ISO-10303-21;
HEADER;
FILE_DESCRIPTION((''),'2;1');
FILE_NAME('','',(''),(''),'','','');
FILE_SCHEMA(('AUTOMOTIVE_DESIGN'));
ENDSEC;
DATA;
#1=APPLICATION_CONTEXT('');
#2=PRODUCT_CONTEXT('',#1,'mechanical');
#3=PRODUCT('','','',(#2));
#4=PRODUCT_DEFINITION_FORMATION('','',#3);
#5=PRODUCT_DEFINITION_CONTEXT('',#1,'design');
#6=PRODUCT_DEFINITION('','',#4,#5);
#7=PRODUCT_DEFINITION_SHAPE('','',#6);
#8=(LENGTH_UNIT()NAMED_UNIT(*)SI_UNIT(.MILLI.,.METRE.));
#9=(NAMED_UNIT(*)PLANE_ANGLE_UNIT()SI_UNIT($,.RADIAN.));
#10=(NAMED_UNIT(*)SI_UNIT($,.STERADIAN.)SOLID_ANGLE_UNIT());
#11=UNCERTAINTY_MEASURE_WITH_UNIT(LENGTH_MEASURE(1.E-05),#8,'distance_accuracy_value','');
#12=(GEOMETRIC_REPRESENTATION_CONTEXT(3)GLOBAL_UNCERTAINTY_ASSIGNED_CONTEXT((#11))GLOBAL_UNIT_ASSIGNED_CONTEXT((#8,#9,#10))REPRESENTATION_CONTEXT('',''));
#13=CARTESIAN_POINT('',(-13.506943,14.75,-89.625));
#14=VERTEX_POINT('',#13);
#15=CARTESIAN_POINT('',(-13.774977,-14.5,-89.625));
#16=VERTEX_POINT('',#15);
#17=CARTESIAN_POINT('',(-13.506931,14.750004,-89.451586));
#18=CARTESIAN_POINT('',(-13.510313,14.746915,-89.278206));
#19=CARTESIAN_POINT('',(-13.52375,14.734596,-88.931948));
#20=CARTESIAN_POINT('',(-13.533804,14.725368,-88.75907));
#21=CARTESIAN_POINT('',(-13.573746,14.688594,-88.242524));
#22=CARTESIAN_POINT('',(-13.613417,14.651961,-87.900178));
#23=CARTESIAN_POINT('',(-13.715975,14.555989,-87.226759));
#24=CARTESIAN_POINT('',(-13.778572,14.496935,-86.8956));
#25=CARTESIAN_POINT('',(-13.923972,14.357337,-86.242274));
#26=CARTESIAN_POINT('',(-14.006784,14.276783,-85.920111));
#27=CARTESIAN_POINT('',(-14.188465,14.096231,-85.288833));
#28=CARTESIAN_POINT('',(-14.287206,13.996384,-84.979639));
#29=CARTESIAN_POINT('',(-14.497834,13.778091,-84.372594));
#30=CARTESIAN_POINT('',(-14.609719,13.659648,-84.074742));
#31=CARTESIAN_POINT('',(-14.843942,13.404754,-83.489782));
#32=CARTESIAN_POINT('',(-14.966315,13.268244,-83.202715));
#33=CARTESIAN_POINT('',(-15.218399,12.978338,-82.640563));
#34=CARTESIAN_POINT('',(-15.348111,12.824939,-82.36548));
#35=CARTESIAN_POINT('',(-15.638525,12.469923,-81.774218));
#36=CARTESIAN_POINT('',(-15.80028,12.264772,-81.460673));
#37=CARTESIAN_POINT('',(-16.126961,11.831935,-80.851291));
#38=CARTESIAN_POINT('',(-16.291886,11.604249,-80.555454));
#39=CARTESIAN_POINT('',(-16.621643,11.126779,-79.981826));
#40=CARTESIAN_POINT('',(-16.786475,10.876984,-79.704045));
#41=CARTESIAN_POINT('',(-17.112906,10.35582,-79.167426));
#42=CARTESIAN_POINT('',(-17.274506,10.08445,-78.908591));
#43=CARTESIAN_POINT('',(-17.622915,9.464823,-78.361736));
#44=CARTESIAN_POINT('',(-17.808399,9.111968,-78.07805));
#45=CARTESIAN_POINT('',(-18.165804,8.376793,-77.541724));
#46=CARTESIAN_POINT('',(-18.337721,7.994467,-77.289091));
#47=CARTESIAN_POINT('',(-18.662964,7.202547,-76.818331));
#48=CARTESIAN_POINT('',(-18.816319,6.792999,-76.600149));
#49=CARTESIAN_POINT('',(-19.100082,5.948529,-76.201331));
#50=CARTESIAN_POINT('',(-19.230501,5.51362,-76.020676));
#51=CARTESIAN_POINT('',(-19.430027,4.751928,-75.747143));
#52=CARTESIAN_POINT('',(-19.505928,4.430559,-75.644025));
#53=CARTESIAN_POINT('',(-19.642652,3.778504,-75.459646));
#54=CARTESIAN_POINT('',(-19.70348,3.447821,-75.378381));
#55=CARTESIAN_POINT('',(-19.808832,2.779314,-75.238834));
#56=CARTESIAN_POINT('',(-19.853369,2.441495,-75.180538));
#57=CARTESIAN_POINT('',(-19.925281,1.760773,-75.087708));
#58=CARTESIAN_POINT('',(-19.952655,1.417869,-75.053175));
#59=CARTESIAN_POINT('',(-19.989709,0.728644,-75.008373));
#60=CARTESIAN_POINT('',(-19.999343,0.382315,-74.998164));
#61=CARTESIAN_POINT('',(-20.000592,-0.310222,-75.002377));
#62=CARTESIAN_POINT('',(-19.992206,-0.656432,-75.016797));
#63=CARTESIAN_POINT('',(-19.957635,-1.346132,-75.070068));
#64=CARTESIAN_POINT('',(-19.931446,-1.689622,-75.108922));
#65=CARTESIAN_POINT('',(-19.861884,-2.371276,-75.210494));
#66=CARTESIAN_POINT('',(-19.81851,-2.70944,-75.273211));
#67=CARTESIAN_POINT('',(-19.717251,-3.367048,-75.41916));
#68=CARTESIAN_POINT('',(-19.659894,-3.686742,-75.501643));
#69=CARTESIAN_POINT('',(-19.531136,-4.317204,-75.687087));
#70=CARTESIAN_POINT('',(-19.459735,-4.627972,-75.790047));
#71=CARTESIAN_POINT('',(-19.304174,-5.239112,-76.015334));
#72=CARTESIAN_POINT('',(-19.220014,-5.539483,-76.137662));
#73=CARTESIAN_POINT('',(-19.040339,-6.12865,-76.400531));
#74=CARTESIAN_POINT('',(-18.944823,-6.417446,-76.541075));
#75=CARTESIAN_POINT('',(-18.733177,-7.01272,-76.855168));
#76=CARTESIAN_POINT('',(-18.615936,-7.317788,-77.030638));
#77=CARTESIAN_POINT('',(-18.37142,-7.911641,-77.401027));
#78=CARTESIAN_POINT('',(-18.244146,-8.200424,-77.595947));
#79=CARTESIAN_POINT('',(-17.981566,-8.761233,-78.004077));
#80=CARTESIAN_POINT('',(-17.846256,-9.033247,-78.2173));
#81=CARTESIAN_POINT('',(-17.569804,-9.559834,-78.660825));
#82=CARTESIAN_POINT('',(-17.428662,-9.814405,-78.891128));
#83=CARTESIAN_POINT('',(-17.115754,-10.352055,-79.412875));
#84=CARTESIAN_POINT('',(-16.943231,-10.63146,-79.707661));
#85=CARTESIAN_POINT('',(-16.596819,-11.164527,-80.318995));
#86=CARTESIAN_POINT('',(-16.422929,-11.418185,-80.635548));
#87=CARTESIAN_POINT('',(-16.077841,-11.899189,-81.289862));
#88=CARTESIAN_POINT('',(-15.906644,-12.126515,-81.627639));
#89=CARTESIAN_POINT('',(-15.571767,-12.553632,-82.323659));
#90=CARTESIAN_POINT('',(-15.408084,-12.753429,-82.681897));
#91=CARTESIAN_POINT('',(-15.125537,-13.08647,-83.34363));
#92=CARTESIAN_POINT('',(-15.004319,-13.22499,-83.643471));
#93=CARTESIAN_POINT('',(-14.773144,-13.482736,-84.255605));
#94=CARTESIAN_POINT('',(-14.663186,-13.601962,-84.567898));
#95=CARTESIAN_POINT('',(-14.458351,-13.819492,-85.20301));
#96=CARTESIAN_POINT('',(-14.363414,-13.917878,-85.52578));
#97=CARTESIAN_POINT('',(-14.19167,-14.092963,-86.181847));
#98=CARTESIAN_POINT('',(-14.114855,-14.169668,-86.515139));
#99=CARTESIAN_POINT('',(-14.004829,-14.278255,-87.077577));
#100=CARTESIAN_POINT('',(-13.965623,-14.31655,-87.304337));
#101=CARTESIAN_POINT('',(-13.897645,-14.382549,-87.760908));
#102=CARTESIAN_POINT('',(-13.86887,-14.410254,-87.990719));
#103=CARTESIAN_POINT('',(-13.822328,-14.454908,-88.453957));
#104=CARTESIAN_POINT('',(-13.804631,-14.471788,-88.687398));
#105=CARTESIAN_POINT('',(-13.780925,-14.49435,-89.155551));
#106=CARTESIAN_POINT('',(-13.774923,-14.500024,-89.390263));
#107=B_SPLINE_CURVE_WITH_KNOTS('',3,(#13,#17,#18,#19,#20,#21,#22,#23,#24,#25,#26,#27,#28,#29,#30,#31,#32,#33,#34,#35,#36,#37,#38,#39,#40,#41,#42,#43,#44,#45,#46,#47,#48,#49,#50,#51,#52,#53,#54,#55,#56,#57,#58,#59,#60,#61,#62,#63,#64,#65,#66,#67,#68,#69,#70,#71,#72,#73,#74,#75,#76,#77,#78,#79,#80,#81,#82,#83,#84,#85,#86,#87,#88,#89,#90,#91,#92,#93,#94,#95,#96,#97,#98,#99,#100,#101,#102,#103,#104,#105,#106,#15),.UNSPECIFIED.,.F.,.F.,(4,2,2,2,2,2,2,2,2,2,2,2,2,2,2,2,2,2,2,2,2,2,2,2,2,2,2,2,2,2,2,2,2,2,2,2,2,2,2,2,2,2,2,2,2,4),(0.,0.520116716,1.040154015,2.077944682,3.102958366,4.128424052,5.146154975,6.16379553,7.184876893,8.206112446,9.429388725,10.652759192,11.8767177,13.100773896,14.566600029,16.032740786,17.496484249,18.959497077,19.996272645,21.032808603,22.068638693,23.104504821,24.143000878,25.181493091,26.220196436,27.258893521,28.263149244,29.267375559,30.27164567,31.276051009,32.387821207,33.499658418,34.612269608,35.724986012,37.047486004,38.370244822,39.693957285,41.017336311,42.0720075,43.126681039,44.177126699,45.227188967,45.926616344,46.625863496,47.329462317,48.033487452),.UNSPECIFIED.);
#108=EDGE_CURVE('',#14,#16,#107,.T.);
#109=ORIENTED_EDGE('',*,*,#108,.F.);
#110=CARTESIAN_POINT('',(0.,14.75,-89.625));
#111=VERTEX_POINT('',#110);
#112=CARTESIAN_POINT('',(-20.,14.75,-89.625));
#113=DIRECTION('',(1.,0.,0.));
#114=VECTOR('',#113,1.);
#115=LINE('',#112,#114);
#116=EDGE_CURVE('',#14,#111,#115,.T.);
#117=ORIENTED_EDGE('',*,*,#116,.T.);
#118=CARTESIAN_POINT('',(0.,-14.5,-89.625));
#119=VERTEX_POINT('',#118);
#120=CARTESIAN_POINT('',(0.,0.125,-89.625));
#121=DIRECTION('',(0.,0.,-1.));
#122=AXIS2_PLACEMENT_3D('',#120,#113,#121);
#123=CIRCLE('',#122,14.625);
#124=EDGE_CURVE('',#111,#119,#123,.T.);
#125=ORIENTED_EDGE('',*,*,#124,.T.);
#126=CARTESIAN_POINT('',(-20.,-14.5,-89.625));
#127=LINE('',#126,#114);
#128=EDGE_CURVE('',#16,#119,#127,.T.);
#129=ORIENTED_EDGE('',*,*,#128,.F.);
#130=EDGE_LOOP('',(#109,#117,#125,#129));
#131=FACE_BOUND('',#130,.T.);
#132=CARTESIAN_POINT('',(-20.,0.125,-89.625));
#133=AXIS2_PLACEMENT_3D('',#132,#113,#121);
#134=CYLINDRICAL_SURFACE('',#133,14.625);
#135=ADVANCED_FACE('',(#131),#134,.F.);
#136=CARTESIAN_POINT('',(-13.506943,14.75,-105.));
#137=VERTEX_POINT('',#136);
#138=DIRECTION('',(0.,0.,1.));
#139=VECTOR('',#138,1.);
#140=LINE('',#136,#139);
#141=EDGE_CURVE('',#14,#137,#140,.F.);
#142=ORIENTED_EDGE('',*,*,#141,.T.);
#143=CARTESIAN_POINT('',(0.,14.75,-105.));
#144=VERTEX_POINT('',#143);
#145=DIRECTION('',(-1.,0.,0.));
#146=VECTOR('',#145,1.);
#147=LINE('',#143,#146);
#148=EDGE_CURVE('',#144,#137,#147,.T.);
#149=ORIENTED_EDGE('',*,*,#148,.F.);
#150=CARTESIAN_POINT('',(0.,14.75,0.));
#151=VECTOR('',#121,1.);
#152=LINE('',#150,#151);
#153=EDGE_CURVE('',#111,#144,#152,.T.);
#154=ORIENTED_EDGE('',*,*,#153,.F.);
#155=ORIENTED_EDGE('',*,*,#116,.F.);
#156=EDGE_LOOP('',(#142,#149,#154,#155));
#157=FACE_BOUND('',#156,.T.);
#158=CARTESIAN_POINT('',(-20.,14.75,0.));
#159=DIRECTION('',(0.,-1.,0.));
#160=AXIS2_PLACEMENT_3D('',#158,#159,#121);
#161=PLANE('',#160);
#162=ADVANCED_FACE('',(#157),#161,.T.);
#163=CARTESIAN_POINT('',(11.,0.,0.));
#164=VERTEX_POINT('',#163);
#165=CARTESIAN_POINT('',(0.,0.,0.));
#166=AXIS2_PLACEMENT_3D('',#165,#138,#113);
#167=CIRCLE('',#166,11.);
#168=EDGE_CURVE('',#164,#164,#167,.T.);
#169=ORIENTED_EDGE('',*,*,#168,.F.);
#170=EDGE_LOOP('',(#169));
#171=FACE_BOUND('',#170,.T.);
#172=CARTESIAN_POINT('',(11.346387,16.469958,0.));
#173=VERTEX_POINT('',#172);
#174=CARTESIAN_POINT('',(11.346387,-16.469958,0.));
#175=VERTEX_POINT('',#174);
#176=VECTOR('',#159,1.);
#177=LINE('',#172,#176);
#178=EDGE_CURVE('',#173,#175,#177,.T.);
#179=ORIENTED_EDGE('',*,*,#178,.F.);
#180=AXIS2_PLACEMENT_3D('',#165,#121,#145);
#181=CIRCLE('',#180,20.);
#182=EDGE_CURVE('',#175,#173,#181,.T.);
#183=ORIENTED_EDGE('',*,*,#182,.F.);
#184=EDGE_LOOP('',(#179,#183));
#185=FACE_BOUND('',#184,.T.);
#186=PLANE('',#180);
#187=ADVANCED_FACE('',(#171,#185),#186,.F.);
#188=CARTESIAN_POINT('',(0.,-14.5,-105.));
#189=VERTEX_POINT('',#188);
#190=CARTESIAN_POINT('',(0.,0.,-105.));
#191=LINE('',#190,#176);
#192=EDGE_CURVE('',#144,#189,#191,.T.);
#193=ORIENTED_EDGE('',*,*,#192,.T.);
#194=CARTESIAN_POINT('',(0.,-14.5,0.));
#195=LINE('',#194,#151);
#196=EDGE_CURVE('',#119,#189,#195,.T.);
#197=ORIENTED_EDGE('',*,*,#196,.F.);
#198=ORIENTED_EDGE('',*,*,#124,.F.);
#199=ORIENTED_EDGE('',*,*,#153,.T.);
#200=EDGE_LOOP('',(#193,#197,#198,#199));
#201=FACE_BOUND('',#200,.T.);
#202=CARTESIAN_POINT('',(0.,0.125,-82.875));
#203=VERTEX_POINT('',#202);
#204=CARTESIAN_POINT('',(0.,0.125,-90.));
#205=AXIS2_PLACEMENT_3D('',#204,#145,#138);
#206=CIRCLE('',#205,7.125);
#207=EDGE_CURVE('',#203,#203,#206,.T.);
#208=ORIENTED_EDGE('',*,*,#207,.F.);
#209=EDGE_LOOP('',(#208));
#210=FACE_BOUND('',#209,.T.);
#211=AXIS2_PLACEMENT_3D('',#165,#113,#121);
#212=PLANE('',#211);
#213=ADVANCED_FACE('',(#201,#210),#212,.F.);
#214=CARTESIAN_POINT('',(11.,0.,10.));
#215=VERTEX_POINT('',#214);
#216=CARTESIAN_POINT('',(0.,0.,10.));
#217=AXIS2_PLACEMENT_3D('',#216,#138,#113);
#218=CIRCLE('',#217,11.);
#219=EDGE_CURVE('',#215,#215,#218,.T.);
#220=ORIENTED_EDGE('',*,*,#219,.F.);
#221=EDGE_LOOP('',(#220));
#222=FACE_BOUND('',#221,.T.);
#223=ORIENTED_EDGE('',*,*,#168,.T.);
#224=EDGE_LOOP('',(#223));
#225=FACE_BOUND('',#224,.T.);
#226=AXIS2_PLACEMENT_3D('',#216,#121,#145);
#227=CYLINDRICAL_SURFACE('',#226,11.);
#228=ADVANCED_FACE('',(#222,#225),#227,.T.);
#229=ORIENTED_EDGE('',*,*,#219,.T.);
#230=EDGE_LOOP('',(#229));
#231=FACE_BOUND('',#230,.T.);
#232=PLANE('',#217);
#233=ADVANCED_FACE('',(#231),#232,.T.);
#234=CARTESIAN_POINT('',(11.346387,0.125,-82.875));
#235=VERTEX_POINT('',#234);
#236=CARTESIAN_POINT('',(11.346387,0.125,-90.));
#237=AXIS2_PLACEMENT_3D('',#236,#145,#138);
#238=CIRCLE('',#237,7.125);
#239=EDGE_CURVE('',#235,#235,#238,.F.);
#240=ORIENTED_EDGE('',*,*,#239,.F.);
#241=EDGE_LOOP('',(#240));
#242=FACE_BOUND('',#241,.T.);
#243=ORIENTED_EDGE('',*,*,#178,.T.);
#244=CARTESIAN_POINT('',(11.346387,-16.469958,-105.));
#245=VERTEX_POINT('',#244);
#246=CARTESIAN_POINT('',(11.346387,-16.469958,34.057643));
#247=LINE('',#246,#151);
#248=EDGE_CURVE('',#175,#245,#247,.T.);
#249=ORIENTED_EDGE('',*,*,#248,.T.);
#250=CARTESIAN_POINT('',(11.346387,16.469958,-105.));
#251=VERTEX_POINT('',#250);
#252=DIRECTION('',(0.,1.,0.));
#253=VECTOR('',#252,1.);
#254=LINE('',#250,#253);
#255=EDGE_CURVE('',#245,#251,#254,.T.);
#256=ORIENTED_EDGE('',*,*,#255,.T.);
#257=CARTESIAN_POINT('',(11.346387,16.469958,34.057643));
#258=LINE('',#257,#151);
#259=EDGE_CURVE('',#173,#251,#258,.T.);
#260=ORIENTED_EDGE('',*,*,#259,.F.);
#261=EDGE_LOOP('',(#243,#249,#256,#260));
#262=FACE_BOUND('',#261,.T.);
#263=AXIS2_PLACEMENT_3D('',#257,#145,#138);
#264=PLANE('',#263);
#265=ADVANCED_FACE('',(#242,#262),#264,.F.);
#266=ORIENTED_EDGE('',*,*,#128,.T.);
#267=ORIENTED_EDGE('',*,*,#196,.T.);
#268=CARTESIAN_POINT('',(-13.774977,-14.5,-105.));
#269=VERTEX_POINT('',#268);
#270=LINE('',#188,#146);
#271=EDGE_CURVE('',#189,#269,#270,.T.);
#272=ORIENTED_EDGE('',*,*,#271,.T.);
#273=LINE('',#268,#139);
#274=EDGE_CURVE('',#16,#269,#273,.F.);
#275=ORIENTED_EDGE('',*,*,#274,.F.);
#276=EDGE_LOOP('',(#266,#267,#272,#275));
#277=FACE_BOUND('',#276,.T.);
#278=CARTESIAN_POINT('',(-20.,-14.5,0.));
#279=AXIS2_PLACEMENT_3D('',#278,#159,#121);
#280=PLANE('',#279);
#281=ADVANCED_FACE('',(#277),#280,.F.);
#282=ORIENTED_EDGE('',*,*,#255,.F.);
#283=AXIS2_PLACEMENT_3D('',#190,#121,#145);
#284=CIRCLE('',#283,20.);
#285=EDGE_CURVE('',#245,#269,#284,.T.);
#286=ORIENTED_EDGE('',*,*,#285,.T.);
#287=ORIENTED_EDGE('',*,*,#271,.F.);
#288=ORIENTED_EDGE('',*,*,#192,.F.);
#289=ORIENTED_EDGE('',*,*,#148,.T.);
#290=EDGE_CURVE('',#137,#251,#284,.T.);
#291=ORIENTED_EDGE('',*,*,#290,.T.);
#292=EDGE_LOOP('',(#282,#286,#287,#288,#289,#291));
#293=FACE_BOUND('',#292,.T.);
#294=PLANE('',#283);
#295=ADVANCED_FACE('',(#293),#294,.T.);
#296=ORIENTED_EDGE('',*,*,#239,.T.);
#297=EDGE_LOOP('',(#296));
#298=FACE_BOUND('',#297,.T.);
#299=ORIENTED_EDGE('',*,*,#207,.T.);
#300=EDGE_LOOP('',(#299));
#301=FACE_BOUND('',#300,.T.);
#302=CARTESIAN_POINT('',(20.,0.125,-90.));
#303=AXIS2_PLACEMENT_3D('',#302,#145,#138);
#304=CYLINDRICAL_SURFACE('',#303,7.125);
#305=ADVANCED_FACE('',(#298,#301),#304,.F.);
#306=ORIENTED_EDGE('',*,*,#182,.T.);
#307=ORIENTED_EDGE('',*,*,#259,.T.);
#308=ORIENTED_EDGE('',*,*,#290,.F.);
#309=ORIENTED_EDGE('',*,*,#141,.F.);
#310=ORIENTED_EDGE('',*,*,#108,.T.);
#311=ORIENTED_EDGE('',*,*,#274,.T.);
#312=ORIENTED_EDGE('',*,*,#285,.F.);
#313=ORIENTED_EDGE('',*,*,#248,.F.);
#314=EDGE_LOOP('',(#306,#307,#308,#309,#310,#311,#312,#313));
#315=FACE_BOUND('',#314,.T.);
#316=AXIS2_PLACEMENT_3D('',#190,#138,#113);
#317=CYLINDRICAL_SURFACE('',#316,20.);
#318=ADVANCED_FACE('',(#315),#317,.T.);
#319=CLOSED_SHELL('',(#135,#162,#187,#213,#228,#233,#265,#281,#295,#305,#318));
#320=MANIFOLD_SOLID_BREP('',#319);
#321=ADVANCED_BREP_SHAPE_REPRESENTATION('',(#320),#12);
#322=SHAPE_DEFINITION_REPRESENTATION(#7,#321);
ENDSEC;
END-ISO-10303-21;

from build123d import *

# Parameters (mm, degrees)
SKETCH1_R           = 11
BOSS_EXTRUDE1_DEPTH = 10
SKETCH2_R           = 20
BOSS_EXTRUDE2_DEPTH = 105
CUT_EXTRUDE1_DEPTH  = 109.742815855
SKETCH5_R           = 7.125
CUT_EXTRUDE2_DEPTH  = 109.742815988
CUT_EXTRUDE3_START  = -105
CUT_EXTRUDE3_DEPTH  = 105


with BuildPart() as part:
    # Sketch1 → Boss-Extrude1 (new body)
    with BuildSketch(Plane.XY):
        Circle(SKETCH1_R)
    extrude(amount=BOSS_EXTRUDE1_DEPTH)

    # Sketch2 → Boss-Extrude2 (add)
    with BuildSketch(Plane(origin=(0, 0, 0), x_dir=(-1, 0, 0), z_dir=(0, 0, -1))):
        Circle(SKETCH2_R)
    extrude(amount=BOSS_EXTRUDE2_DEPTH)

    # Sketch3 → Cut-Extrude1 (cut, through all)
    with BuildSketch(Plane(origin=(0, 0, 0), x_dir=(0, 0, -1), z_dir=(1, 0, 0))):
        with BuildLine():
            Line((139.625, 14.75), (89.625, 14.75))
            ThreePointArc((89.625, 14.75), (75, 0.125), (89.625, -14.5))
            Line((89.625, -14.5), (139.625, -14.5))
            Line((139.625, -14.5), (139.625, 14.75))
        make_face()
    extrude(amount=-CUT_EXTRUDE1_DEPTH, mode=Mode.SUBTRACT)

    # Sketch5 → Cut-Extrude2 (cut, through all)
    with BuildSketch(Plane.ZY):
        with Locations((-90, 0.125)):
            Circle(SKETCH5_R)
    extrude(amount=-CUT_EXTRUDE2_DEPTH, mode=Mode.SUBTRACT)

    # Sketch6 → Cut-Extrude3 (cut)
    with BuildSketch(Plane(origin=(0, 0, -105), x_dir=(-1, 0, 0), z_dir=(0, 0, -1)).offset(CUT_EXTRUDE3_START)):
        with BuildLine():
            Line((-11.346386998, 16.469957562), (-11.346386998, -16.469957562))
            ThreePointArc((-11.346386998, -16.469957562), (-20, 0), (-11.346386998, 16.469957562))
        make_face()
    extrude(amount=CUT_EXTRUDE3_DEPTH, mode=Mode.SUBTRACT)


solid = part.part
